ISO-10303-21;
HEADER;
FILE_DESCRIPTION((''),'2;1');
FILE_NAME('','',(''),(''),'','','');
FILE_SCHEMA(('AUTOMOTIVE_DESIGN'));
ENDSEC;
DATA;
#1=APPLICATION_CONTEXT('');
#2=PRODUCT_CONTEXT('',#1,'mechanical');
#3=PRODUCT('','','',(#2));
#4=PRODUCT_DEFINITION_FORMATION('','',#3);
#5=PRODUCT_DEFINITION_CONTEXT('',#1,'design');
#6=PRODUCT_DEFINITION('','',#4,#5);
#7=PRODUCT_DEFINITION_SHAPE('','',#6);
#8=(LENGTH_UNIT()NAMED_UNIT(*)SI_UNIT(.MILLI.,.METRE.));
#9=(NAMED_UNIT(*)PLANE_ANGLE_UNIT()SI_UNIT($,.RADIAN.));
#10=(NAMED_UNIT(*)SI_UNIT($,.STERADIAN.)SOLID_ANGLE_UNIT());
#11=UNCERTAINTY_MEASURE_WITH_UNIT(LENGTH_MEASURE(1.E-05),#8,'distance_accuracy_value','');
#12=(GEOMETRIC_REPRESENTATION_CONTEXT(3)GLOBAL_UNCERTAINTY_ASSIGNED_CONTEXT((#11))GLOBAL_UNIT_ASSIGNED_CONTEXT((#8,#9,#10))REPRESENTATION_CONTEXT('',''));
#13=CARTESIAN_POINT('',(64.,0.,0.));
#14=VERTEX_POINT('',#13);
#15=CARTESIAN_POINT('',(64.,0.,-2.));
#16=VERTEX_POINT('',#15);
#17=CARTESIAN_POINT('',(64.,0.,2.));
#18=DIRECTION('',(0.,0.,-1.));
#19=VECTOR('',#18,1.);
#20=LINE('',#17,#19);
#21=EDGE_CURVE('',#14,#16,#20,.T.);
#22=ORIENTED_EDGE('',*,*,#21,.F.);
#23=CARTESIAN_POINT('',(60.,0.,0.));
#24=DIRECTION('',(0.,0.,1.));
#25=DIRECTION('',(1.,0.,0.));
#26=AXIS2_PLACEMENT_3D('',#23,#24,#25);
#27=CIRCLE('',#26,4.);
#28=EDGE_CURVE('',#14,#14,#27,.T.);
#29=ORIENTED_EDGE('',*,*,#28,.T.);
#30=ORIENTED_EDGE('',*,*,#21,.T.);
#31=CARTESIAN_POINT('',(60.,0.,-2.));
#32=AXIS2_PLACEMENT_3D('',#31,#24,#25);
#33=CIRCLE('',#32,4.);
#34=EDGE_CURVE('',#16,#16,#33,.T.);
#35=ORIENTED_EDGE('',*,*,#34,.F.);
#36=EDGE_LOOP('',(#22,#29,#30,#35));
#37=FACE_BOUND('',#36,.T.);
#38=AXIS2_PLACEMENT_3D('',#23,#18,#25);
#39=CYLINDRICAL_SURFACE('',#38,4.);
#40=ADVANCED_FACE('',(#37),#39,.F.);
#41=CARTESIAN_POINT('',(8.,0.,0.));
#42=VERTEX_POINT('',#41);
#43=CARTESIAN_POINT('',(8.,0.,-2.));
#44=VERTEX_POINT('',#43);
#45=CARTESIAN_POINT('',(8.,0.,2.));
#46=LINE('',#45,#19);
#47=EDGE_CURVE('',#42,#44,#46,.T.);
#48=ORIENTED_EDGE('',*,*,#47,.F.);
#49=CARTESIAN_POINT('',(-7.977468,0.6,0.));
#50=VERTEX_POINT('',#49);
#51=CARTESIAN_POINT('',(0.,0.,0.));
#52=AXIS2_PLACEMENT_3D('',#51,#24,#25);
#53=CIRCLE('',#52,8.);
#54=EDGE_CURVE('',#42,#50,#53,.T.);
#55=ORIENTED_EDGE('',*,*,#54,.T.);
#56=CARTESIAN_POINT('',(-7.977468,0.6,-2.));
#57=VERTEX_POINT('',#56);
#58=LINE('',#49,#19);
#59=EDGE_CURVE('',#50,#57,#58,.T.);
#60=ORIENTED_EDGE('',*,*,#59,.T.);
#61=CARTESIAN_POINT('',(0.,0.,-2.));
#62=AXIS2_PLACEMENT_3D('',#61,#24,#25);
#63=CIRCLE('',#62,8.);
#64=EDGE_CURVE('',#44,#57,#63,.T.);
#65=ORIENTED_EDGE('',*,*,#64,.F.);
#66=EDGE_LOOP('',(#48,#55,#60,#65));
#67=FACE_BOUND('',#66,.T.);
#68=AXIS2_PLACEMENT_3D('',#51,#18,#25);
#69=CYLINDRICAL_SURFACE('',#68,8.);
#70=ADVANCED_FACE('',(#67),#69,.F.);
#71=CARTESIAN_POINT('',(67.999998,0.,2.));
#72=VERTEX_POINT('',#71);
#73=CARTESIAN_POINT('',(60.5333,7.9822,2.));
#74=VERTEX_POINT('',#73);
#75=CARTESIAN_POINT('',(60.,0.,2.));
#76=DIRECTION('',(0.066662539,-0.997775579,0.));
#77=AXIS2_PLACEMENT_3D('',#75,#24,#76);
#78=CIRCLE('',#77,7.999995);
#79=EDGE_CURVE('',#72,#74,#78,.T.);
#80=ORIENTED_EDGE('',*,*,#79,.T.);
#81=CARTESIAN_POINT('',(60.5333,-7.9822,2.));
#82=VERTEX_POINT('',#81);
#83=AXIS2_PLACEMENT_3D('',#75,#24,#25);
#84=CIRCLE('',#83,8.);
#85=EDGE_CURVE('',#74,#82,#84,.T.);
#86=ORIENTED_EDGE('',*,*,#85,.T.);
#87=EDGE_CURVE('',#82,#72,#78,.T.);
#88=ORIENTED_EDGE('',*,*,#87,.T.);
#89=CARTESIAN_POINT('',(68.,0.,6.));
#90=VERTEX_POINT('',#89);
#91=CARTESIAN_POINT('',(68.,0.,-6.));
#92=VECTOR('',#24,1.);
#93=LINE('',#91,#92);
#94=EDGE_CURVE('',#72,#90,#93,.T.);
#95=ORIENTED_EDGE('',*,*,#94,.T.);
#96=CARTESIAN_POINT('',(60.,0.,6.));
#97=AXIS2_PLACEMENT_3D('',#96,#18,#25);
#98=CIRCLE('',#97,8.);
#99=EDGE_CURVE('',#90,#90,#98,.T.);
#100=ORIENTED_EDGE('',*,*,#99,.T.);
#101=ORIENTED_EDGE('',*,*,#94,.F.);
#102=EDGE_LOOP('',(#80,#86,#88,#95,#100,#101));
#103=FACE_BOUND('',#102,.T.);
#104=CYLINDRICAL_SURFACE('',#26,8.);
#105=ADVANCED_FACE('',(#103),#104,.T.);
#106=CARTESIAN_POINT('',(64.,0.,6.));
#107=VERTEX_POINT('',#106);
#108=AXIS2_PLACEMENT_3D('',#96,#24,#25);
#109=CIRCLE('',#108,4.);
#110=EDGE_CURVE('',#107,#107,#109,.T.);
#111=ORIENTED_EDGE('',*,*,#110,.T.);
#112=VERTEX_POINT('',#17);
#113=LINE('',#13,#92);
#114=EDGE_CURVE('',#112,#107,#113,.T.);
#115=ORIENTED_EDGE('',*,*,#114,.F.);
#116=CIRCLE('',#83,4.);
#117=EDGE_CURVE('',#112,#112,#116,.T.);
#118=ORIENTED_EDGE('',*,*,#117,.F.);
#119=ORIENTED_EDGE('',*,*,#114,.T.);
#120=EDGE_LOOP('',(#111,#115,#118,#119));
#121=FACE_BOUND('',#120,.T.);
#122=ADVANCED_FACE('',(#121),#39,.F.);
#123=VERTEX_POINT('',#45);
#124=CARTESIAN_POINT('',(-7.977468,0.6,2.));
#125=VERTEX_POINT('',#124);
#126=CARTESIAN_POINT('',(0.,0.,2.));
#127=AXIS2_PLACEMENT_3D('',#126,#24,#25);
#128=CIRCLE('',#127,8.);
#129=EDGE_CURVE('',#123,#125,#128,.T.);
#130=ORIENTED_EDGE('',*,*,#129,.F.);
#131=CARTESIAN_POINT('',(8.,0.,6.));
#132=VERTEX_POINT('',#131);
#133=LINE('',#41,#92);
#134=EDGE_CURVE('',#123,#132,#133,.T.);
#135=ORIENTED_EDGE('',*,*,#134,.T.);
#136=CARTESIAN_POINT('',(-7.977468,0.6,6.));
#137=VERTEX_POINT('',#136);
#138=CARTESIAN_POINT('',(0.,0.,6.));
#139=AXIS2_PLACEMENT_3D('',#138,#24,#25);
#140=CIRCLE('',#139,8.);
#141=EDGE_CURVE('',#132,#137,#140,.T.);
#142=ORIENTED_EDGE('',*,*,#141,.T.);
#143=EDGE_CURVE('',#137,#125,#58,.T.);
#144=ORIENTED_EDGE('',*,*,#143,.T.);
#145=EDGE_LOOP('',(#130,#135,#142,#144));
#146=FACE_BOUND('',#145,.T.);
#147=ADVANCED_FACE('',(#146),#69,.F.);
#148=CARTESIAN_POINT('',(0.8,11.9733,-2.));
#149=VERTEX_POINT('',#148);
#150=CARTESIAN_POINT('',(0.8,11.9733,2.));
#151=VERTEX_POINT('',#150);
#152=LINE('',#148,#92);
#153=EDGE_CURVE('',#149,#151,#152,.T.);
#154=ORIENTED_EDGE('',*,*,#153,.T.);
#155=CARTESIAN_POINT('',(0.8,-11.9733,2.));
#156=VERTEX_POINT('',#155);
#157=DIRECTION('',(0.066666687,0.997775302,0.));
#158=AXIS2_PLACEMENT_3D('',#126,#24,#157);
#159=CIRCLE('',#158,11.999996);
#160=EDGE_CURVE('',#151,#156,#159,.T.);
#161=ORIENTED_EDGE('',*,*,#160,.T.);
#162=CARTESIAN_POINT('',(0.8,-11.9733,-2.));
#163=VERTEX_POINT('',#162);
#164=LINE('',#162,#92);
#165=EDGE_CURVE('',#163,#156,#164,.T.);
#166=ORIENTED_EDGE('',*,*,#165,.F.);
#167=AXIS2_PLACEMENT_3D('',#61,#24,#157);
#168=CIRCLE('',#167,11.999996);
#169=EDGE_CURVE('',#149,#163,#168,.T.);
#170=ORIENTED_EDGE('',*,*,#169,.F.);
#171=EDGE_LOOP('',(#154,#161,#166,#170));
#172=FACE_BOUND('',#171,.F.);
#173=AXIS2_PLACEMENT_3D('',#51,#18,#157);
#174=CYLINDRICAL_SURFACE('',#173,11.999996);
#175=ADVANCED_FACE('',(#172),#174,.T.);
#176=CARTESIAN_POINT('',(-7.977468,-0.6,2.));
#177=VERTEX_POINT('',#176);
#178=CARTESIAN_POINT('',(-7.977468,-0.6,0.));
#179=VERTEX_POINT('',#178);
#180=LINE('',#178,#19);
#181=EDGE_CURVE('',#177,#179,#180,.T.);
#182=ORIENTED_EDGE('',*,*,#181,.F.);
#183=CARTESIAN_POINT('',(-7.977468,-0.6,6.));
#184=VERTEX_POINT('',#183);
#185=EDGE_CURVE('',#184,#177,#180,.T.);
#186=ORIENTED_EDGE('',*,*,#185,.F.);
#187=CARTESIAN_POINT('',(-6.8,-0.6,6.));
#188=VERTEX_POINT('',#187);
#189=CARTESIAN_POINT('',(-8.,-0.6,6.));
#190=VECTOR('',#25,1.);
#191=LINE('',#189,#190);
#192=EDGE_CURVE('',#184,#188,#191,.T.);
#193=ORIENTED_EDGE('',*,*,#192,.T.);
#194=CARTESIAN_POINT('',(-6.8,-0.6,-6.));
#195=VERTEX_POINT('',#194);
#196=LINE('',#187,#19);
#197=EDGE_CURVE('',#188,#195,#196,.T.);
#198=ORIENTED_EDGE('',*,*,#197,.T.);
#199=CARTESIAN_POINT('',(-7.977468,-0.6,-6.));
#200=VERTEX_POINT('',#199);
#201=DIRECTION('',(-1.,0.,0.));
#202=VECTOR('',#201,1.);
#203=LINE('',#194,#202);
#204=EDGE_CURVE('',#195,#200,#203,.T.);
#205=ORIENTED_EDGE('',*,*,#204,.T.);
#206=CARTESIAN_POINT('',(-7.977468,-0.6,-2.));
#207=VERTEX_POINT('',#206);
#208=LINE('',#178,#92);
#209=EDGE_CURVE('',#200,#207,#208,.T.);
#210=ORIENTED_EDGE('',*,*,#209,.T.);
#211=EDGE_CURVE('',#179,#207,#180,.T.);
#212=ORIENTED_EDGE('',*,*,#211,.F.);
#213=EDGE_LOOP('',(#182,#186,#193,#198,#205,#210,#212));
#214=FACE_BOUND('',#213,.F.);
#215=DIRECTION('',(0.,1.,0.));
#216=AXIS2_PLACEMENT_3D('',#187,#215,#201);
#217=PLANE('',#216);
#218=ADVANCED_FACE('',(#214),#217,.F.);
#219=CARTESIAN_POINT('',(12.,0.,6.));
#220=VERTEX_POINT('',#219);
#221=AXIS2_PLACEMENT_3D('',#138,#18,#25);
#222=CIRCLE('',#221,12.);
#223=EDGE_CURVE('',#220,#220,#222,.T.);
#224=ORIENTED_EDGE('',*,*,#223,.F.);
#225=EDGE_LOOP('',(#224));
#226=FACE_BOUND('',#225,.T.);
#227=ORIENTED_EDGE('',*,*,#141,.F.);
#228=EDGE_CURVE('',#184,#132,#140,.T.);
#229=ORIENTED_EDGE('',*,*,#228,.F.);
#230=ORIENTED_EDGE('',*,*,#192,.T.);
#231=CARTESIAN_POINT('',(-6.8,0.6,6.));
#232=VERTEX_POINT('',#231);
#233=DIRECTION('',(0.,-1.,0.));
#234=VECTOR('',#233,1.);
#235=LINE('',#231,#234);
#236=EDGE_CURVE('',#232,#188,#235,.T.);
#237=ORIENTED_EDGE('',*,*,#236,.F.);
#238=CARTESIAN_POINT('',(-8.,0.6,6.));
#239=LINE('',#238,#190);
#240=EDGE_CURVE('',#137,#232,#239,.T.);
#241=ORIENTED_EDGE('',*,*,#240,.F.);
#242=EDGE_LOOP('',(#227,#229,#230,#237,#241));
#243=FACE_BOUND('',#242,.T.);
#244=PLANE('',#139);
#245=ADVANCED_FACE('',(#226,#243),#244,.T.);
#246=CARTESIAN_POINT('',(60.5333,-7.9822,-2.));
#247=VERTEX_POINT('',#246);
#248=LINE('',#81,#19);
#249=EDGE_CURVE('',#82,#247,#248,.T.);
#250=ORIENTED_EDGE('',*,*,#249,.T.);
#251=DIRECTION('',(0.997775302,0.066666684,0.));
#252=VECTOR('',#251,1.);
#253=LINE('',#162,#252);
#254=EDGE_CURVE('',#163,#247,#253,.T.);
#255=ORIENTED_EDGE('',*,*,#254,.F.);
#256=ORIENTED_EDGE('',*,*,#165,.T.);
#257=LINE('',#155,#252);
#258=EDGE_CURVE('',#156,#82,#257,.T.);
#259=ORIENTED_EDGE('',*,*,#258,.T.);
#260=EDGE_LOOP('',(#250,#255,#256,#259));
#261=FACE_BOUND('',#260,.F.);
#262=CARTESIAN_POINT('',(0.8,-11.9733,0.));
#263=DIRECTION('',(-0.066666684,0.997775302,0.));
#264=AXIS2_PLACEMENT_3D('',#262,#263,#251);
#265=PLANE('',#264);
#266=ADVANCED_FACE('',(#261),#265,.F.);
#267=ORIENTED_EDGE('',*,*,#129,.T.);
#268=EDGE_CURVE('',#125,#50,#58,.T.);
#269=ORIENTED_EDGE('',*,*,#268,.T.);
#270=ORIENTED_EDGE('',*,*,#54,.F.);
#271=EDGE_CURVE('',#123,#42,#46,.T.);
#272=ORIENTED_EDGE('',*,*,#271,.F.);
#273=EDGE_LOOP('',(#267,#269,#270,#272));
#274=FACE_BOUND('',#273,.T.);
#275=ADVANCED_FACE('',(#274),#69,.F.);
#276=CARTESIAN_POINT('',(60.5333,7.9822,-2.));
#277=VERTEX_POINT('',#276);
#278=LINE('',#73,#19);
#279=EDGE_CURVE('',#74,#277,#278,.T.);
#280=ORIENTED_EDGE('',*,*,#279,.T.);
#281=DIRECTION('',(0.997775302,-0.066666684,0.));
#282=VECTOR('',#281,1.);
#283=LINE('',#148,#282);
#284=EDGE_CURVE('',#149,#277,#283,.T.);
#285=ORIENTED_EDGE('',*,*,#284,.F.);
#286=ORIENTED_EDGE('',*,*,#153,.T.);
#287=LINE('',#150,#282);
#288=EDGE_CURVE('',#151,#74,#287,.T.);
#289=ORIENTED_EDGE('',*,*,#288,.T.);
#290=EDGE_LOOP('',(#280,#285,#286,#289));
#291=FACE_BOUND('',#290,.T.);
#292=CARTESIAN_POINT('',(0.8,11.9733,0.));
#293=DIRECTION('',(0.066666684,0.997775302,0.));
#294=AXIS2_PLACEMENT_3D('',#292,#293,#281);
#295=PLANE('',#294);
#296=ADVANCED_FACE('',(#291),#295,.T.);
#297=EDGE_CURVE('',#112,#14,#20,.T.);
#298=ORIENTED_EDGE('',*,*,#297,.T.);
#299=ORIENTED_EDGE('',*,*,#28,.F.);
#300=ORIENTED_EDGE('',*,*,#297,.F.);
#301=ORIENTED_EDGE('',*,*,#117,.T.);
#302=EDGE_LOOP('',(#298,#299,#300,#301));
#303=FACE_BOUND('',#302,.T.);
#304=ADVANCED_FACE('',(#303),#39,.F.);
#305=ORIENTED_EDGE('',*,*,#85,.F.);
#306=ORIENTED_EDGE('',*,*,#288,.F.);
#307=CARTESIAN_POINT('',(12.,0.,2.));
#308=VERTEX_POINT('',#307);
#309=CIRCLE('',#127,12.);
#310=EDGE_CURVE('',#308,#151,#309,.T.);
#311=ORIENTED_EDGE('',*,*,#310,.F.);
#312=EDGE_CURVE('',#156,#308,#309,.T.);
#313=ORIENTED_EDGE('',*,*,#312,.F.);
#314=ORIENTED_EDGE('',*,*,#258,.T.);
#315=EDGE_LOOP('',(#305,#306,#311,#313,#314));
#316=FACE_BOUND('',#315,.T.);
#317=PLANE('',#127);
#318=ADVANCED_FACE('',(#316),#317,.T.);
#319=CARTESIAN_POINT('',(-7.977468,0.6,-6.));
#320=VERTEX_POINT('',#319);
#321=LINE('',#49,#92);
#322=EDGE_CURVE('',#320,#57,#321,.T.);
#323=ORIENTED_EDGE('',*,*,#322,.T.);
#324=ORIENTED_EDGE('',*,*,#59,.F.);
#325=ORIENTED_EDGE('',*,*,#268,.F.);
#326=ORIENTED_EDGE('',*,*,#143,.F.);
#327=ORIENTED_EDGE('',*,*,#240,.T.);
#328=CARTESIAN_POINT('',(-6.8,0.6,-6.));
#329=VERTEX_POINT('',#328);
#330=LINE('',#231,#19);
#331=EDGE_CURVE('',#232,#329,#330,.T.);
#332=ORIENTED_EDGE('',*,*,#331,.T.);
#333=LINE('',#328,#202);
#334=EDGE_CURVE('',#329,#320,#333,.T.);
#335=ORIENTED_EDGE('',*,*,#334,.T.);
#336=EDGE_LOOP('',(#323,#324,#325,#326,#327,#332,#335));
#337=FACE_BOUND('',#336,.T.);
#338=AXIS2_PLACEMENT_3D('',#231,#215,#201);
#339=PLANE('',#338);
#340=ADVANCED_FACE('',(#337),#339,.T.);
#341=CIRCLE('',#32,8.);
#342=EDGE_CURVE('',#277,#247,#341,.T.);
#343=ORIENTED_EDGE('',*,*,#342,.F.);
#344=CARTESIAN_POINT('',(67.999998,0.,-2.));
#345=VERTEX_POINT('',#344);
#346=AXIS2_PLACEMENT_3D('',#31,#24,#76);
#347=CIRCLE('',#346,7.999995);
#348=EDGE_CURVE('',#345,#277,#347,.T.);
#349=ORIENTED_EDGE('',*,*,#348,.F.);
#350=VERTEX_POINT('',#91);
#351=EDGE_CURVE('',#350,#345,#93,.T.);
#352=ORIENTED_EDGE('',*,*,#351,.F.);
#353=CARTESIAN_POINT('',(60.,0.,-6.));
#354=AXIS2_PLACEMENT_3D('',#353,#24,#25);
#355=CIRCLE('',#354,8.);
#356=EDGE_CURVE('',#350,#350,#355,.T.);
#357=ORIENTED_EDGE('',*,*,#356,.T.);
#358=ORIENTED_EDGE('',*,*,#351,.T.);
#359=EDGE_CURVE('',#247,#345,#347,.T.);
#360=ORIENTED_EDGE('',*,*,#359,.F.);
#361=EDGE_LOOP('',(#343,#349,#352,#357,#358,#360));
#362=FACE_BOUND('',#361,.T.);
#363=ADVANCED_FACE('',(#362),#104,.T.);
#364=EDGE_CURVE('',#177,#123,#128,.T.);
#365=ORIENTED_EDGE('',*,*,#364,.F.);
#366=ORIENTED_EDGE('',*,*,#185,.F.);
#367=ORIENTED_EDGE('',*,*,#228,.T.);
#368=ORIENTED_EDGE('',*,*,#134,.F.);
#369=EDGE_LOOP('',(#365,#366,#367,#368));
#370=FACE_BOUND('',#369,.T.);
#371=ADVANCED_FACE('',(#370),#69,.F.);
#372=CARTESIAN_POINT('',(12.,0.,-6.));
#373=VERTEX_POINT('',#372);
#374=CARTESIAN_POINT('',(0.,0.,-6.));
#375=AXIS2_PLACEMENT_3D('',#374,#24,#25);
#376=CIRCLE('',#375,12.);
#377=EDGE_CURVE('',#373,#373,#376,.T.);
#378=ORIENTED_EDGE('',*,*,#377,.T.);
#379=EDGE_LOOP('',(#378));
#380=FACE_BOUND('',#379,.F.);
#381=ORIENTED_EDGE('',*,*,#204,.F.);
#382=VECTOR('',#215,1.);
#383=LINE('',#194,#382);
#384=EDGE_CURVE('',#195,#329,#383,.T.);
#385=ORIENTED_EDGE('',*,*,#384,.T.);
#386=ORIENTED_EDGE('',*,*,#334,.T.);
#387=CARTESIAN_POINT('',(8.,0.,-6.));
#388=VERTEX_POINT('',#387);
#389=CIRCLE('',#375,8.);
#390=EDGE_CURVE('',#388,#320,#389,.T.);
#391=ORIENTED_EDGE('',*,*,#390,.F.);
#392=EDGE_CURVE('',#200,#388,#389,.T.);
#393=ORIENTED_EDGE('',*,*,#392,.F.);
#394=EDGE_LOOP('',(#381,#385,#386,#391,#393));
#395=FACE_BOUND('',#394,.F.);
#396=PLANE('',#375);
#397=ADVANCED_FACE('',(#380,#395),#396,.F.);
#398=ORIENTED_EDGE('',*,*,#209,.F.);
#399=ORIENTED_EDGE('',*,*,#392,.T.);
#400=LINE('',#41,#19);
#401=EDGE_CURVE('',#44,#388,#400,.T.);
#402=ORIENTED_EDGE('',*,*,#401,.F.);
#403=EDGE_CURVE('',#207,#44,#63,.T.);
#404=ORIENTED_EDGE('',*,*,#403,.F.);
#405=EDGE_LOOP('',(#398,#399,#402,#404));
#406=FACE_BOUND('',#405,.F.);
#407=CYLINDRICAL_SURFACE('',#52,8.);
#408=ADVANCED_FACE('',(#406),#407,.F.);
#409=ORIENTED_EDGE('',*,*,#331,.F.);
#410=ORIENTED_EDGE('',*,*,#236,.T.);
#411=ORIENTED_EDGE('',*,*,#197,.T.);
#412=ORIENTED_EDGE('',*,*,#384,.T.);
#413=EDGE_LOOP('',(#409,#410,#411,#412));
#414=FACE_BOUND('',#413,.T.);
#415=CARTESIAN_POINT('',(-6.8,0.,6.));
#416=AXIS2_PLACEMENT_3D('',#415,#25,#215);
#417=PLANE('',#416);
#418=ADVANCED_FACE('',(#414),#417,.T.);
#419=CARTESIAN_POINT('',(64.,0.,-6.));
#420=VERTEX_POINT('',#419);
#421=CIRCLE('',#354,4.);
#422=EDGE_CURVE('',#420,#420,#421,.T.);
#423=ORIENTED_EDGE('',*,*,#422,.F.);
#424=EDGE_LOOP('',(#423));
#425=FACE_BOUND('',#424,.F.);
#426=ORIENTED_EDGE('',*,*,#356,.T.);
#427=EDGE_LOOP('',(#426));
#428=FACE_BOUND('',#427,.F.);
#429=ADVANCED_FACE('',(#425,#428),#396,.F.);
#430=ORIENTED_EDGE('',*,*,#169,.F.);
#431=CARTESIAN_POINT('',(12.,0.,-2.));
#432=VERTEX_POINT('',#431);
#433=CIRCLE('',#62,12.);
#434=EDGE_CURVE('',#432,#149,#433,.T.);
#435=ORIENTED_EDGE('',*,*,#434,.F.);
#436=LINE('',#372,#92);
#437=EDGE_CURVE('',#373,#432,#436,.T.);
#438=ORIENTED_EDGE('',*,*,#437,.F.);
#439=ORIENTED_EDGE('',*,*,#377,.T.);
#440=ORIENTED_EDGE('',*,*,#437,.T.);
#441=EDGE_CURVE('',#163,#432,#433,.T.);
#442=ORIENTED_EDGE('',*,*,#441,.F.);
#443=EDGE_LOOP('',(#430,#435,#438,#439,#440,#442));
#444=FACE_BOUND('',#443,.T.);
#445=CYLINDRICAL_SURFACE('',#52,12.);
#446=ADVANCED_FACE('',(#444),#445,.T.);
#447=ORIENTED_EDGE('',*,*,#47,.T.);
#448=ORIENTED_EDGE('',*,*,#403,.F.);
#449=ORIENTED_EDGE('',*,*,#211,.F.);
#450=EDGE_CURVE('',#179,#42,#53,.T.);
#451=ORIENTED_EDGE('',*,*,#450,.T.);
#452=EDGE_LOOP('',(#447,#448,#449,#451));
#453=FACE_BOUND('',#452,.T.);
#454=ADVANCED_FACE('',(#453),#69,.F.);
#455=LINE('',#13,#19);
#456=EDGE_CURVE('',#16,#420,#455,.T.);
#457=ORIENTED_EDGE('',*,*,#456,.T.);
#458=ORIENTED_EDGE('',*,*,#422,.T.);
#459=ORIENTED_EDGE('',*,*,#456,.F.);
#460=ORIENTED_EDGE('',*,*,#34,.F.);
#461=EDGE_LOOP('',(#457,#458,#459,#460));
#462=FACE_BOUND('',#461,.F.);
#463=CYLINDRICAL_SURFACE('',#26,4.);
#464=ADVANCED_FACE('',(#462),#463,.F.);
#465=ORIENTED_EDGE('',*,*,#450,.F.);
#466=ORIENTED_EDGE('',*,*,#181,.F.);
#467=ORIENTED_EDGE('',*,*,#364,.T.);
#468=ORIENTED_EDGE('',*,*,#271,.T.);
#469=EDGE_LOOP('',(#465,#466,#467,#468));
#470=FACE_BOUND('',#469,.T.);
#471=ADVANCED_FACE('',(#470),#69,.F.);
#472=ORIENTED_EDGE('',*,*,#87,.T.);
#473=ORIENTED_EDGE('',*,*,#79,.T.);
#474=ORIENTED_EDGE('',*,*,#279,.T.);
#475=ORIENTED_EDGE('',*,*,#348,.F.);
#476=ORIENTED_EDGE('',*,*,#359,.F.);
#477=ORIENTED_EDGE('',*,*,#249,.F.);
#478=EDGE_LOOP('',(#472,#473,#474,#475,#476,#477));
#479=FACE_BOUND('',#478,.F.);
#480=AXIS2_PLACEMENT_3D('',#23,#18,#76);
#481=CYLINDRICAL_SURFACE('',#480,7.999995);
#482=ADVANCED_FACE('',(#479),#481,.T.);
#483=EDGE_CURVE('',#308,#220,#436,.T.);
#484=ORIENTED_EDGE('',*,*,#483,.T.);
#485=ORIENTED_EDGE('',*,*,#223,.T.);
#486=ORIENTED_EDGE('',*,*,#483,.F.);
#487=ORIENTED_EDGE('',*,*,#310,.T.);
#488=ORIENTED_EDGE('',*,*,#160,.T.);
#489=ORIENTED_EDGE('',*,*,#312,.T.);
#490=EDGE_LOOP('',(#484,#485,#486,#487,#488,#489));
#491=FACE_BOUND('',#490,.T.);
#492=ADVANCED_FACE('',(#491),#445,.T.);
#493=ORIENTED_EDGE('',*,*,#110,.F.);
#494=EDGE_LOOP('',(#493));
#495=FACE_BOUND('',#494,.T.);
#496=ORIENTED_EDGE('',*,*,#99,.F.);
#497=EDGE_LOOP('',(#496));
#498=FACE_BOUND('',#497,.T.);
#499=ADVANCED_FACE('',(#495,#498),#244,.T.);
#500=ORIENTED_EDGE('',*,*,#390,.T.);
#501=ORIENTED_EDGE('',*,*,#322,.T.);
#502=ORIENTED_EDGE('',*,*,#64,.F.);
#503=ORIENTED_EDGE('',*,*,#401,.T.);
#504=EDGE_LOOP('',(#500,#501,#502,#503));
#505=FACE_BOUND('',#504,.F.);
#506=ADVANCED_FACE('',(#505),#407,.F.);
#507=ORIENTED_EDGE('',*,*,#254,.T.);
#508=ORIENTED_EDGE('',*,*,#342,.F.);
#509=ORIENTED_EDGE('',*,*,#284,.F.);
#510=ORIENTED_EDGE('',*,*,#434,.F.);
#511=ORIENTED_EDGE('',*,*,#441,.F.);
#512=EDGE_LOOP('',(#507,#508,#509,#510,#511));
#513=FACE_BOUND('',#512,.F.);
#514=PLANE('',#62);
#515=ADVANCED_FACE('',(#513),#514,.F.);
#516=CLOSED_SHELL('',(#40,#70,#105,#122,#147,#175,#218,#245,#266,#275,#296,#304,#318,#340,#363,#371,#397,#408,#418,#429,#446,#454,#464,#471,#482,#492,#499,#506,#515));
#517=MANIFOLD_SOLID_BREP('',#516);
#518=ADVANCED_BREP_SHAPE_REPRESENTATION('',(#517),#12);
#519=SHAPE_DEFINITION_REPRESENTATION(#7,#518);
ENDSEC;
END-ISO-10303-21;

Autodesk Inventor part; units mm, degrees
ref_plane "YZ Plane" through (0, 0, 0) normal (1, 0, 0) x (0, 1, 0)
ref_plane "XZ Plane" through (0, 0, 0) normal (0, 1, 0) x (-1, 0, 0)
ref_plane "XY Plane" through (0, 0, 0) normal (0, 0, 1) x (1, 0, 0)
sketch "Esboço1" plane through (0, 0, 0) normal (0, 0, 1) x (1, 0, 0)
  circle A0 centre (0, 0) radius 8
  arc A1 (0.8, 11.9733) -> (0.8, -11.9733) centre (0, 0) ccw
  arc A2 (60.5333, -7.9822) -> (60.5333, 7.9822) centre (60, 0) ccw
  circle A3 centre (60, 0) radius 4
  line L0 (0.8, 11.9733) -> (60.5333, 7.9822)
  line L1 (0, 0) -> (60, 0) construction
  line L2 (0.8, -11.9733) -> (60.5333, -7.9822)
  point P0 (-9.6543, 12.6718)
  point P1 (71.6078, 7.2423)
  point P2 (-9.6543, -12.6718)
  point P3 (71.6078, -7.2423)
  dimension "d0" = 16
  dimension "d1" = 24
  dimension "d2" = 16
  dimension "d3" = 8
  dimension "d4" = 60
extrude "Extrusão1" add sketch "Esboço1" along normal mid plane 4
sketch "Esboço2" plane through (0, 0, 0) normal (0, 0, 1) x (1, 0, 0)
  circle A0 centre (0, 0) radius 8
  circle A1 centre (0, 0) radius 12
  circle A2 centre (60, 0) radius 4 projected
  circle A3 centre (60, 0) radius 4
  line L0 (60.5333, 7.9822) -> (0.8, 11.9733) projected
  circle A4 centre (60, 0) radius 8
extrude "Extrusão2" add sketch "Esboço2" along normal mid plane 12
sketch "Esboço3" plane through (0, 0, 6) normal (0, 0, 1) x (1, 0, 0)
  circle A0 centre (0, 0) radius 8 projected
  line L0 (-8, 0) -> (-6.8, 0)
  line L1 (-6.8, 0) -> (-6.8, 0.6)
  line L2 (-6.8, 0.6) -> (-8, 0.6)
  line L3 (-8, 0.6) -> (-8, 0)
  line L4 (-8, 0) -> (-6.8, 0)
  line L5 (-6.8, 0) -> (-6.8, -0.6)
  line L6 (-6.8, -0.6) -> (-8, -0.6)
  line L7 (-8, -0.6) -> (-8, 0)
  dimension "d9" = 1.2
  dimension "d10" = 0.6
  dimension "d11" = 1.2
  dimension "d12" = 0.6
extrude "Extrusão3" add sketch "Esboço3" against normal blind 12 contours L2 L1 L0 A0 | A0 L3 L2 | L6 L7 A0 | A0 L0 L5 L6
properties part number "Manipulo"
